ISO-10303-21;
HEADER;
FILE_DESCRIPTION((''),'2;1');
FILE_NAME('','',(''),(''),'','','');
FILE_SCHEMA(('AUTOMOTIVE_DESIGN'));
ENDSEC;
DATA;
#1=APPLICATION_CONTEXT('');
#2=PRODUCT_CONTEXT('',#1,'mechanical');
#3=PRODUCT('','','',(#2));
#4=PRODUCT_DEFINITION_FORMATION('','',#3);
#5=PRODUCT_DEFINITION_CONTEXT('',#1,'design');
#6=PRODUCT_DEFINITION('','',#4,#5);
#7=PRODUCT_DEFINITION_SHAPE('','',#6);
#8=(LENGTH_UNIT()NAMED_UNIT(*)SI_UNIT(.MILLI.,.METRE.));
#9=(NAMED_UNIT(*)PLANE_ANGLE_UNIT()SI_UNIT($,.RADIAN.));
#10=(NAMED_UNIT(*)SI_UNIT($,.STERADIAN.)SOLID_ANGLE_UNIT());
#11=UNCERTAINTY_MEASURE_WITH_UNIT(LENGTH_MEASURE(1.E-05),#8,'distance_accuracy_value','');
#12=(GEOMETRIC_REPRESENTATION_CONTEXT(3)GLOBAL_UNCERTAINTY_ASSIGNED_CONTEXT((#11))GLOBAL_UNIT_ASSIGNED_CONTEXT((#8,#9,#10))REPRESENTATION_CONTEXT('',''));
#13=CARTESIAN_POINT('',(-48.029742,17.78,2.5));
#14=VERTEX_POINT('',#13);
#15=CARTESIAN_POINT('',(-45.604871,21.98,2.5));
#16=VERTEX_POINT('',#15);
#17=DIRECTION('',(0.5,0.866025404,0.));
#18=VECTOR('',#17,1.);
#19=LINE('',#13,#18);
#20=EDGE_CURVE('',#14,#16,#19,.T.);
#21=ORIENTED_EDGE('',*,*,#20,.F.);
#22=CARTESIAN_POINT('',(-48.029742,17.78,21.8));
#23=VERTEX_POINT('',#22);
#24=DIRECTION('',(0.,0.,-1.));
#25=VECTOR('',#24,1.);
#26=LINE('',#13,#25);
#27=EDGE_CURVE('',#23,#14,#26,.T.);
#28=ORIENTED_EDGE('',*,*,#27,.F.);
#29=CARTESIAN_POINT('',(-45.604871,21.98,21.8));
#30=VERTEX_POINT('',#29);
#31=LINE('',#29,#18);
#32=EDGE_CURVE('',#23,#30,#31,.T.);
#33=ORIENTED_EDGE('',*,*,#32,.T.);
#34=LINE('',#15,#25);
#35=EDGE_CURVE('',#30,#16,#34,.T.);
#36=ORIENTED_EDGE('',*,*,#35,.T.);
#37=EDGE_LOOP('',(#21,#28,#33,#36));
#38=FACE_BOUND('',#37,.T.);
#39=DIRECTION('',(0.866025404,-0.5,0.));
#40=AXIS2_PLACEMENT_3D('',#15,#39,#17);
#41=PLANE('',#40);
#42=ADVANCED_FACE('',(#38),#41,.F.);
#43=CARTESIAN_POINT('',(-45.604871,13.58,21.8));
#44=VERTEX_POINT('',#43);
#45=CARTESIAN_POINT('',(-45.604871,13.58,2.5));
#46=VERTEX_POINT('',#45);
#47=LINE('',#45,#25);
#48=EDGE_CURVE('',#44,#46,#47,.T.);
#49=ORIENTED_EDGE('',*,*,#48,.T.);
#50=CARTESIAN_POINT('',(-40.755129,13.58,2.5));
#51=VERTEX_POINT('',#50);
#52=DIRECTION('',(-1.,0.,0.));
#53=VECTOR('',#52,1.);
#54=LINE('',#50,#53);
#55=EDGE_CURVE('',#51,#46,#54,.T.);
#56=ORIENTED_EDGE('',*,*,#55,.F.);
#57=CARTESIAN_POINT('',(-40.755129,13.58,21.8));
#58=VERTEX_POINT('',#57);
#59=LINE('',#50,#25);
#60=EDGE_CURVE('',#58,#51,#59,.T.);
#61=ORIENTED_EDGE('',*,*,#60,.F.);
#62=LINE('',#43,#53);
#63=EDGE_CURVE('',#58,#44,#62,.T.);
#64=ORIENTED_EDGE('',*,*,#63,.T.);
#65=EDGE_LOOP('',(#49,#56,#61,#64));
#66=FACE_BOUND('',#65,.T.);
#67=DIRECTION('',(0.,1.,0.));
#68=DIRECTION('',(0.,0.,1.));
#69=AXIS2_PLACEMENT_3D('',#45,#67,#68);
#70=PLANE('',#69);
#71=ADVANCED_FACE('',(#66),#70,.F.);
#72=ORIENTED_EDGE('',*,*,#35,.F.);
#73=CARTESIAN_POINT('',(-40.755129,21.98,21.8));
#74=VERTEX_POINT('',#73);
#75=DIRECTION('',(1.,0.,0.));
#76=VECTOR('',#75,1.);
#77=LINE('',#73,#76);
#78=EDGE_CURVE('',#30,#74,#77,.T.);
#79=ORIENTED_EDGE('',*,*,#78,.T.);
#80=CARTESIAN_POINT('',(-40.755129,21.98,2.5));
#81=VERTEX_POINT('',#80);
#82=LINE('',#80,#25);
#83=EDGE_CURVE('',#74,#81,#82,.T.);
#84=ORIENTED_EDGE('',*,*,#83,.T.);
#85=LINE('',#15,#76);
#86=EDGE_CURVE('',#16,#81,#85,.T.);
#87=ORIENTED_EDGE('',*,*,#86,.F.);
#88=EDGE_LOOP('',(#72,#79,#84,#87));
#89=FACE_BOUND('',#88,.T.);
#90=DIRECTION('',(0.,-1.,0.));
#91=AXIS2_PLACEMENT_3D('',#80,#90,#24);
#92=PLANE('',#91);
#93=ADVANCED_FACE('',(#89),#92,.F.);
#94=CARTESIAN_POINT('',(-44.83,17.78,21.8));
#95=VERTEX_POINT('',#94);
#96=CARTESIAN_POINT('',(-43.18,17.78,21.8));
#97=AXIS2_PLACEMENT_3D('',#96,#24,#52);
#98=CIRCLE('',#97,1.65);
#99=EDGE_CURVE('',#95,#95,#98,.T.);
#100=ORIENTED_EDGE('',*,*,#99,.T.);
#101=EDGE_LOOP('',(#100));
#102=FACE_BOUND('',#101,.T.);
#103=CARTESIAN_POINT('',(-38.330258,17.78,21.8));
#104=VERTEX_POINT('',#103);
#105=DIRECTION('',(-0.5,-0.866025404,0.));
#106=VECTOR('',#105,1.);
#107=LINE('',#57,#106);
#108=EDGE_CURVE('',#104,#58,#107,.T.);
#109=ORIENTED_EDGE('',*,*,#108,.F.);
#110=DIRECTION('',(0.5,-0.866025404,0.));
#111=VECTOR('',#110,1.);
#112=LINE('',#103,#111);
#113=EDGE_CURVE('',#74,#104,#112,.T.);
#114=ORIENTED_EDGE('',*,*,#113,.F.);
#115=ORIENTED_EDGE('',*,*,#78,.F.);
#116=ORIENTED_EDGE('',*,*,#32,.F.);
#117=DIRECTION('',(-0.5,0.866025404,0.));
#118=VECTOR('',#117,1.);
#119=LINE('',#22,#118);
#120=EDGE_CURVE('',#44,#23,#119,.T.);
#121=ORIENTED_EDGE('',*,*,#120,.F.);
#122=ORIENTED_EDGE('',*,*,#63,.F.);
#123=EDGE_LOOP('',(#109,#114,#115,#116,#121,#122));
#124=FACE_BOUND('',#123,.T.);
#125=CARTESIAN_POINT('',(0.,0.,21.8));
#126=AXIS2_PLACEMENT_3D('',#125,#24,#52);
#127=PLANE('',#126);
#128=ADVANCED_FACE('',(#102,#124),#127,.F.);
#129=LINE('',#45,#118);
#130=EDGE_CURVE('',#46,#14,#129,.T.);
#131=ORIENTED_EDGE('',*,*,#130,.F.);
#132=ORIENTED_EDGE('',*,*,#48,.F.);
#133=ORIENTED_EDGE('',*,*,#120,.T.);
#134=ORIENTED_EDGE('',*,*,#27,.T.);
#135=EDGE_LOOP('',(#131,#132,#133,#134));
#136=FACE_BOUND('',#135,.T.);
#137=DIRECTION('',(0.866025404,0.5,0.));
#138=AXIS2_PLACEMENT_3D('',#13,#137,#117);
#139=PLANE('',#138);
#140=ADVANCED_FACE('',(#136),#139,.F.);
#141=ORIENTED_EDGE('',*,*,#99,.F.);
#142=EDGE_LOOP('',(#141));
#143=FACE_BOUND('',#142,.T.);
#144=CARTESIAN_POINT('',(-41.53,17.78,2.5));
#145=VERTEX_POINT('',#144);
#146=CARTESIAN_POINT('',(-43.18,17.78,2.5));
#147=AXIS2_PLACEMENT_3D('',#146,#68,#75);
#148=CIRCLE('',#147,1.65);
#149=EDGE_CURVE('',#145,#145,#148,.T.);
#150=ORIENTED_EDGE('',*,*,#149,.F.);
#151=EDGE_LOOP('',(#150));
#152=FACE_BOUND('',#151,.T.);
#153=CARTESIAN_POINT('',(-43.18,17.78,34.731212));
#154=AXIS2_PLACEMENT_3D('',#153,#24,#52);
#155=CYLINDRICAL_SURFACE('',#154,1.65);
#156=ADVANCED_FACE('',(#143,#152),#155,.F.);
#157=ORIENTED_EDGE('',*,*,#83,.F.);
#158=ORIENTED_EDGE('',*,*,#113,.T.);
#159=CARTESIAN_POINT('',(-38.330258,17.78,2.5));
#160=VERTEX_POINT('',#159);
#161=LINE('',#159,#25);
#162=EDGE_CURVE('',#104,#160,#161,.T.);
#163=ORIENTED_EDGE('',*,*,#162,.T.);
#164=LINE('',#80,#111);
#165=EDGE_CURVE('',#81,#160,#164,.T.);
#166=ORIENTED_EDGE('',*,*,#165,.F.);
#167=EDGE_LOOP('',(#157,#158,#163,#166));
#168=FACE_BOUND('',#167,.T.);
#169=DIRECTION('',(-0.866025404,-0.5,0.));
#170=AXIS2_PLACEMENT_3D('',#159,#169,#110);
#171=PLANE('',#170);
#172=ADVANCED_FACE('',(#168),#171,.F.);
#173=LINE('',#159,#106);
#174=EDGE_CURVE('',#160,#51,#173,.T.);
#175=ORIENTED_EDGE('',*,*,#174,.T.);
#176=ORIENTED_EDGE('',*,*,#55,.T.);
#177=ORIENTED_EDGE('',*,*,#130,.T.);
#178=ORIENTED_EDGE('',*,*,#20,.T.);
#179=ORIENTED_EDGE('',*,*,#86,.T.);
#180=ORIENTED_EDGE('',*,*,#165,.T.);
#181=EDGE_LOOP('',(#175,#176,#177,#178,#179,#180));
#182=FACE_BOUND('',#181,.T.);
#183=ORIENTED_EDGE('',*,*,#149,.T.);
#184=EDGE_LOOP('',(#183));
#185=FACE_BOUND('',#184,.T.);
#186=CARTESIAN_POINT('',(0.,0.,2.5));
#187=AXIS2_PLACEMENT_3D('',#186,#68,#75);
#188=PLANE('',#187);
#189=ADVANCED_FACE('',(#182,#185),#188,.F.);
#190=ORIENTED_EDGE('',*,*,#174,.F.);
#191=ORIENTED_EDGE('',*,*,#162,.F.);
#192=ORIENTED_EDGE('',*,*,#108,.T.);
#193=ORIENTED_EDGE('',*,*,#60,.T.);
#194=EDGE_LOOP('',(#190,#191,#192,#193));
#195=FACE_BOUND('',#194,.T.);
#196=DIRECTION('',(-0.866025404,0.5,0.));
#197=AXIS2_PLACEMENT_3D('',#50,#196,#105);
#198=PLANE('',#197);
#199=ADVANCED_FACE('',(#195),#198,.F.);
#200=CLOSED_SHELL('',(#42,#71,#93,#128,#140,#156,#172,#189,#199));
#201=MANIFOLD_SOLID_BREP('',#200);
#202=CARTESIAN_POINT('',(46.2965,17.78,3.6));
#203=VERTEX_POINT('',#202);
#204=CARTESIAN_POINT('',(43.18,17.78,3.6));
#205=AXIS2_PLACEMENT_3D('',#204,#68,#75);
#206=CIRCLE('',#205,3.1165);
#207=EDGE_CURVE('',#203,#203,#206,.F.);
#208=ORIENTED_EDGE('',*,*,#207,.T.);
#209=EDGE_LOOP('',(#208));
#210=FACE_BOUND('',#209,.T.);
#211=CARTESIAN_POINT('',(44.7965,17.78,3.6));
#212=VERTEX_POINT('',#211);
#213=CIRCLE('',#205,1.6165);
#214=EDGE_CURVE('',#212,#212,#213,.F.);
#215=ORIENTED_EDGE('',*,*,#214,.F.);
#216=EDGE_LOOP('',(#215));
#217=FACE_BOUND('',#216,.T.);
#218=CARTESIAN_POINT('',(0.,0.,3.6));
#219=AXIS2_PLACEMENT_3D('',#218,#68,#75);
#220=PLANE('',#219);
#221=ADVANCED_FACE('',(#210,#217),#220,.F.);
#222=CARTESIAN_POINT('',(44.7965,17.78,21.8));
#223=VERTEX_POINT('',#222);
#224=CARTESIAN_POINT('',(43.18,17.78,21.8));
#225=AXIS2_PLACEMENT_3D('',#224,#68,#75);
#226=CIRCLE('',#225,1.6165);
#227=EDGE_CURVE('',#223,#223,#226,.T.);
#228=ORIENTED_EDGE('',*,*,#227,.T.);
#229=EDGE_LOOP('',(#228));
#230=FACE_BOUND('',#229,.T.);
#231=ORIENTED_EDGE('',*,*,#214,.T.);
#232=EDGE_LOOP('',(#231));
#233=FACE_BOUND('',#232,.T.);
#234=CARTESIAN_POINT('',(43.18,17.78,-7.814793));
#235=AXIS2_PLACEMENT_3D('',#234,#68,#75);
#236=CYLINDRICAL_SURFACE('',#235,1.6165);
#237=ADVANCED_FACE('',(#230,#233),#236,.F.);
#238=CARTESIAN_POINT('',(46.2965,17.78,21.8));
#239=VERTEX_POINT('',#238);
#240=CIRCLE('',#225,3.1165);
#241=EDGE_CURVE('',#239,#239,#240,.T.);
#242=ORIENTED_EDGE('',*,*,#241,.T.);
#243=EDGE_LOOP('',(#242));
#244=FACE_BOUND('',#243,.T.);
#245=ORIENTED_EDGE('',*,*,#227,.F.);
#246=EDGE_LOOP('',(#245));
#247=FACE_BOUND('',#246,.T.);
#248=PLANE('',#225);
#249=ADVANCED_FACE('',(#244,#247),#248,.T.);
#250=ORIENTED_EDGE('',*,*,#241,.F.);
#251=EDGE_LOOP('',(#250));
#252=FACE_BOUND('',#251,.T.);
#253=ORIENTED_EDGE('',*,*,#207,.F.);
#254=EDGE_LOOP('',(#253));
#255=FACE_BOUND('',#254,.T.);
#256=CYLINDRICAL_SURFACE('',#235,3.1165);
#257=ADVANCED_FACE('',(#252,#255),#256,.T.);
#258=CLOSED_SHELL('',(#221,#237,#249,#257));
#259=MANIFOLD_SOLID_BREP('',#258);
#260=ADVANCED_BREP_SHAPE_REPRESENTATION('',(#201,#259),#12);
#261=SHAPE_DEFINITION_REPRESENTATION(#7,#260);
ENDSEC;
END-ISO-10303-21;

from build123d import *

# Parameters (mm, degrees)
BOSS_EXTRUDE1_DEPTH = 2.5
SKETCH2_R           = 1.65
BOSS_EXTRUDE2_DEPTH = 19.3
SKETCH3_R           = 3.1165
SKETCH3_R_2         = 1.6165
BOSS_EXTRUDE3_DEPTH = 18.2
CUT_EXTRUDE1_DEPTH  = 2.5


with BuildPart() as part:
    # Sketch1 → Boss-Extrude1 (new body)
    with BuildSketch(Plane.XY):
        Polygon((-38.330257739, 17.78), (-40.755128869, 21.98), (-45.604871131, 21.98), (-48.029742261, 17.78), (-45.604871131, 13.58), (-40.755128869, 13.58), align=None)
        Polygon((-41.505684219, 20.68), (-44.854315781, 20.68), (-46.528631561, 17.78), (-44.854315781, 14.88), (-41.505684219, 14.88), (-39.831368439, 17.78), align=None, mode=Mode.SUBTRACT)
    extrude(amount=BOSS_EXTRUDE1_DEPTH)

    # Sketch2 → Boss-Extrude2 (add)
    with BuildSketch(Plane.XY.offset(2.5)):
        Polygon((-40.755128869, 13.58), (-38.330257739, 17.78), (-40.755128869, 21.98), (-45.604871131, 21.98), (-48.029742261, 17.78), (-45.604871131, 13.58), align=None)
        with Locations(Location((-43.18, 17.78, 0), (0, 0, 180))):
            Circle(SKETCH2_R, mode=Mode.SUBTRACT)
    extrude(amount=BOSS_EXTRUDE2_DEPTH)

    # Sketch4 → Cut-Extrude1 (cut)
    with BuildSketch(Plane(origin=(0, 0, 0), x_dir=(-1, 0, 0), z_dir=(0, 0, -1))):
        Polygon((38.330257739, 17.78), (40.755128869, 13.58), (45.604871131, 13.58), (48.029742261, 17.78), (45.604871131, 21.98), (40.755128869, 21.98), align=None)
    extrude(amount=-CUT_EXTRUDE1_DEPTH, mode=Mode.SUBTRACT)


with BuildPart() as body_2:
    # Sketch3 → Boss-Extrude3 (new body)
    with BuildSketch(Plane.XY.offset(21.8)):
        with Locations((43.18, 17.78)):
            Circle(SKETCH3_R)
        with Locations((43.18, 17.78)):
            Circle(SKETCH3_R_2, mode=Mode.SUBTRACT)
    extrude(amount=-BOSS_EXTRUDE3_DEPTH)


solid = Compound([part.part, body_2.part])
